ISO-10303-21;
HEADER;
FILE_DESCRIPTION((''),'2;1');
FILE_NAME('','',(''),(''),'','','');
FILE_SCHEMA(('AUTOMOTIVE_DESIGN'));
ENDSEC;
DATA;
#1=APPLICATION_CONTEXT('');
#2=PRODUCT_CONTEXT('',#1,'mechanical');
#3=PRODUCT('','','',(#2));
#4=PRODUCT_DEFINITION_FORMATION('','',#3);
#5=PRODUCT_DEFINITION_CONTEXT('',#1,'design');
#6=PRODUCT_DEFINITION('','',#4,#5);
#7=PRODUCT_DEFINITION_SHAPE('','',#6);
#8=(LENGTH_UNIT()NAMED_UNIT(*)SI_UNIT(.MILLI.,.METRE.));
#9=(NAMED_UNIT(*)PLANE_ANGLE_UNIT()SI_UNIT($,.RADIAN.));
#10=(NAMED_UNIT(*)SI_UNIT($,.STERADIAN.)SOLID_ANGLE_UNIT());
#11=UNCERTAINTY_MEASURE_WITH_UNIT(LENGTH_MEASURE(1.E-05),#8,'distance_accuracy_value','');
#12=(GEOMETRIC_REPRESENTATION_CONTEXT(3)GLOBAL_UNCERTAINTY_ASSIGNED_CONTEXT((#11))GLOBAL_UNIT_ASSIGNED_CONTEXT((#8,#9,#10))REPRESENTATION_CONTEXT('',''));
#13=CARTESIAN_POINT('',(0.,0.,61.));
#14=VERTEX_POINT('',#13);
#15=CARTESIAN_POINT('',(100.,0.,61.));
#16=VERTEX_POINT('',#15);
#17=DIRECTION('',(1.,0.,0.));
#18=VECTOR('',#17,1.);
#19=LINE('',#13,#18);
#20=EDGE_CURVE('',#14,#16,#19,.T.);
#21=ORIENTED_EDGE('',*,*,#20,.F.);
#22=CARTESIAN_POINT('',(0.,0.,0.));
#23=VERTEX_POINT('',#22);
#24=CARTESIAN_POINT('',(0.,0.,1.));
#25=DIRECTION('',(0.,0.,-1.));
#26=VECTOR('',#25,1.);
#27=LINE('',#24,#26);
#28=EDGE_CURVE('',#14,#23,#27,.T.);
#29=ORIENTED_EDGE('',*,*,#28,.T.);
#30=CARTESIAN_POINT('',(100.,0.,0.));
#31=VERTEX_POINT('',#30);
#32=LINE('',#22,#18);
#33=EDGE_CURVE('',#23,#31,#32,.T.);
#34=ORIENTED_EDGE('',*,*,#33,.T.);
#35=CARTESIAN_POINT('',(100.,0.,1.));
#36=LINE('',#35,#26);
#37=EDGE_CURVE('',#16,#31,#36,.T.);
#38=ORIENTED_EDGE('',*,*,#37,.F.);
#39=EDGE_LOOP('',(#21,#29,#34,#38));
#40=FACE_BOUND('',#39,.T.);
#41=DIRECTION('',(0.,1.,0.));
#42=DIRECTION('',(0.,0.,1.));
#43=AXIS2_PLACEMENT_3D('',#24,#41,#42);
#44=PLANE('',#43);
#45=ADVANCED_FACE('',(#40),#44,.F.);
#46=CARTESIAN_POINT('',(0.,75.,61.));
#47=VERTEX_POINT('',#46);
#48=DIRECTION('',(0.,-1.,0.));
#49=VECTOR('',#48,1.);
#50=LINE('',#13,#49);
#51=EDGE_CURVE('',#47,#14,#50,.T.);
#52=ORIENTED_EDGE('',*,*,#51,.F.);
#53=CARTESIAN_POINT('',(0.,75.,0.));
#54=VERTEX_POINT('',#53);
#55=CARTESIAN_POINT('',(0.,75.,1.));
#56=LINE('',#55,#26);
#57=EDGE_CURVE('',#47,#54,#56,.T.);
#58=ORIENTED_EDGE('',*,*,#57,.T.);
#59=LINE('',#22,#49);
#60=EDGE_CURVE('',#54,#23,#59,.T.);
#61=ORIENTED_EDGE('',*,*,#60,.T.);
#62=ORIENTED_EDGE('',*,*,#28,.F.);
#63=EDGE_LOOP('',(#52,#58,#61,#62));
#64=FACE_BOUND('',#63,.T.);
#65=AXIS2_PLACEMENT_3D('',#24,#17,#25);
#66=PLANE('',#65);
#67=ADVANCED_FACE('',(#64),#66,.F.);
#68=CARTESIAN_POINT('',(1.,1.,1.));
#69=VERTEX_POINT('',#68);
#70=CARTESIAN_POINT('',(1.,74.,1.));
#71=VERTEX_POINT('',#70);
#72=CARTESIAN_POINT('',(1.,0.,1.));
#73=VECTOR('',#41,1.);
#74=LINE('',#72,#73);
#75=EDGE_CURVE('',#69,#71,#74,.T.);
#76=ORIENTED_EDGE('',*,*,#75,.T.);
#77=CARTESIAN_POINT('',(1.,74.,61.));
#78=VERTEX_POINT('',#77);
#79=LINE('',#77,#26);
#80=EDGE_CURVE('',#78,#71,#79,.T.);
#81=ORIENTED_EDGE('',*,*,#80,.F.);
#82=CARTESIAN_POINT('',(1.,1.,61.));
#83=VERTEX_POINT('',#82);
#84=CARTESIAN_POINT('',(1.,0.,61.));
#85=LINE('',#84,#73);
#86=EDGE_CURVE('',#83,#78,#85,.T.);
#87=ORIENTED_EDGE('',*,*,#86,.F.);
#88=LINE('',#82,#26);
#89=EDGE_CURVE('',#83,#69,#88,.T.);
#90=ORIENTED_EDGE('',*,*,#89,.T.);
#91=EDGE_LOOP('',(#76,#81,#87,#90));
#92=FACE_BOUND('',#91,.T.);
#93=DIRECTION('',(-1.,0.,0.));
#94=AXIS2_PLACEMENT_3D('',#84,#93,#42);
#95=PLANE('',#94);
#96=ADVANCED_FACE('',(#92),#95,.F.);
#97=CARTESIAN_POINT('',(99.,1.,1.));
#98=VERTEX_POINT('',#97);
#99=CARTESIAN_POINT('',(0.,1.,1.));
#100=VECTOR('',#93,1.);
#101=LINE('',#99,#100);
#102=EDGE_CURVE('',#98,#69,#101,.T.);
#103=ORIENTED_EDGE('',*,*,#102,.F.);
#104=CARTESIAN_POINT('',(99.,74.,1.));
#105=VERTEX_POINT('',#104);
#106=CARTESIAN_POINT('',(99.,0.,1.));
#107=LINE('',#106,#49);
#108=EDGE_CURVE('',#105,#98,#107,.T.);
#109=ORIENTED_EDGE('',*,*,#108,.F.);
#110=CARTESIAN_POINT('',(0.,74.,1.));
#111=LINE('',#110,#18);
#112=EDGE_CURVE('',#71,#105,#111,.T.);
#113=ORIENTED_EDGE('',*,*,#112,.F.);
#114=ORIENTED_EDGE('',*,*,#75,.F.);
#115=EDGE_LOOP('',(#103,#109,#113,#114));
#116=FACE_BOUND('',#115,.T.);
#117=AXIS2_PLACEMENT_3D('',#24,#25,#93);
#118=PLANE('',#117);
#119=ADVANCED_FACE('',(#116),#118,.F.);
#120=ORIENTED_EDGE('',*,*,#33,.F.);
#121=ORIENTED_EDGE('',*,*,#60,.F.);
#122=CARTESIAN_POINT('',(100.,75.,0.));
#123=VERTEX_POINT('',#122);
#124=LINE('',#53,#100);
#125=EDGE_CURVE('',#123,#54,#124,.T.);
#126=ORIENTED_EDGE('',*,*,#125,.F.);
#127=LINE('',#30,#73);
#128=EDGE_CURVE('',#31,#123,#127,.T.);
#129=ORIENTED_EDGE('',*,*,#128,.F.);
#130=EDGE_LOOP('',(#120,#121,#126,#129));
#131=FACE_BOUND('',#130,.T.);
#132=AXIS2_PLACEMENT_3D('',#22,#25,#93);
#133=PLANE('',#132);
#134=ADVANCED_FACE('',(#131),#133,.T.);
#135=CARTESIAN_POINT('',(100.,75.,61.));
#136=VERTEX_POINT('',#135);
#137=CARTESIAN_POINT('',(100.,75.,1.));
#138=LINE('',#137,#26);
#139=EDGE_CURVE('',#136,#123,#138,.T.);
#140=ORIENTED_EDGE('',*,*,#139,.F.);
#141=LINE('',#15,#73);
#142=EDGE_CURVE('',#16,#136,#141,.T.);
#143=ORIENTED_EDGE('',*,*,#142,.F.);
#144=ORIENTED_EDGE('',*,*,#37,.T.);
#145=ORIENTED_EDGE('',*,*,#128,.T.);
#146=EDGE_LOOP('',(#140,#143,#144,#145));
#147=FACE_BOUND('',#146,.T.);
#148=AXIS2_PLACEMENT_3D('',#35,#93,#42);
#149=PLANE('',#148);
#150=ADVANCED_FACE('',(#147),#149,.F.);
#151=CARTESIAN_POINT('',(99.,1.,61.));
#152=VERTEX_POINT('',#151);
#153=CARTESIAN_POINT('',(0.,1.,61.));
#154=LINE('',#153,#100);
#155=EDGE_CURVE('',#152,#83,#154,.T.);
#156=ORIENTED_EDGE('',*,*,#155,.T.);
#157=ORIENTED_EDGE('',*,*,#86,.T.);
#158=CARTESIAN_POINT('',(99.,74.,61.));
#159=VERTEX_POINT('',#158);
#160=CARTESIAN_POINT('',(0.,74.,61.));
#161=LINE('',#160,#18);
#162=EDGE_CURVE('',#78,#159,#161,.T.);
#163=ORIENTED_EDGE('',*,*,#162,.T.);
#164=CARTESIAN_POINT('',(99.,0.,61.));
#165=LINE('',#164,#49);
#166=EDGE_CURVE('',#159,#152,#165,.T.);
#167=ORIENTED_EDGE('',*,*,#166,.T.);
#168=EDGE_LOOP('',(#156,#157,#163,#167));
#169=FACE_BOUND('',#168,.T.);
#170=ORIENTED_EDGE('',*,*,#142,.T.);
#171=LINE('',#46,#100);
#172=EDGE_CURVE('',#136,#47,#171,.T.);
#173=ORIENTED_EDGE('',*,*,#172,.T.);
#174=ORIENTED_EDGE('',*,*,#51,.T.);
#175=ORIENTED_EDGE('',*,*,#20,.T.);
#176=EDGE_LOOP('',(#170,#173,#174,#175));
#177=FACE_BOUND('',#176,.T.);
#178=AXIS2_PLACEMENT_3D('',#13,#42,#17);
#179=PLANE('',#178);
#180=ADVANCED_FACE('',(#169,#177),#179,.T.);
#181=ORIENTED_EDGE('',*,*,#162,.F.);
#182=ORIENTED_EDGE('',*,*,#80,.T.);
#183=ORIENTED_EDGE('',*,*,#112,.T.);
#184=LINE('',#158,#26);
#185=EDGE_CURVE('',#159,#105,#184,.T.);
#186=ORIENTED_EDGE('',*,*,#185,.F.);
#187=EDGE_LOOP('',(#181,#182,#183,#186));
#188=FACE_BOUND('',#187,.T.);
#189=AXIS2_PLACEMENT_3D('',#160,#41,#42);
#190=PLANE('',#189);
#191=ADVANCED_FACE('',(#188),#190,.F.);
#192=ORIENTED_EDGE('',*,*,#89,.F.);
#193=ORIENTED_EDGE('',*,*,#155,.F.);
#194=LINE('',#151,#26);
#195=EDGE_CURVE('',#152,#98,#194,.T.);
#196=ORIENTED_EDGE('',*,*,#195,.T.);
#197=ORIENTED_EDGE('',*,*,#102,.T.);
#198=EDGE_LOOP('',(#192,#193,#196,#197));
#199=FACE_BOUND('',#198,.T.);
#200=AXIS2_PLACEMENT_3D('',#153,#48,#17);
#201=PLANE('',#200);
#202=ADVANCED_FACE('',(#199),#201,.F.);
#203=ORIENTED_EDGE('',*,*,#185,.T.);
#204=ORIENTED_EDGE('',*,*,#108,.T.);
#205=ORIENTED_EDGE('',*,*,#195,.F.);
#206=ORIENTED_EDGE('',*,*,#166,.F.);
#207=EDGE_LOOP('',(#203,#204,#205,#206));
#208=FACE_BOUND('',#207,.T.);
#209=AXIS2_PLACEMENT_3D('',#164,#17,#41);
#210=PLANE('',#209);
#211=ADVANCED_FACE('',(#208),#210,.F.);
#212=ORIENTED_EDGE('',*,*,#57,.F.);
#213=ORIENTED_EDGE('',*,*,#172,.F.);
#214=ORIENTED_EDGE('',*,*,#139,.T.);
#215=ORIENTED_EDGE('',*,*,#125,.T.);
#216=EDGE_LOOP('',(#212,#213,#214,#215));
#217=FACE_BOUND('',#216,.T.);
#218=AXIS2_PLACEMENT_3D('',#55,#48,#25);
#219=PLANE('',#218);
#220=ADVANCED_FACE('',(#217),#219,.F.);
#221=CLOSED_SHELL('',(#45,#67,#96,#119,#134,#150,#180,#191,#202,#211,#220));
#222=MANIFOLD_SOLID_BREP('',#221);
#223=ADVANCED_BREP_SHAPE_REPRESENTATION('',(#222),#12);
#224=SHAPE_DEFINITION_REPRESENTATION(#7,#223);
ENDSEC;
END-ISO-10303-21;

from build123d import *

# Parameters (mm, degrees)
SKETCH1_W           = 100
SKETCH1_H           = 75
BOSS_EXTRUDE1_DEPTH = 1
SKETCH2_W           = 1
SKETCH2_H           = 73
BOSS_EXTRUDE2_DEPTH = 60


with BuildPart() as part:
    # Sketch1 → Boss-Extrude1 (new body)
    with BuildSketch(Plane.XY):
        with Locations((50, 37.5)):
            Rectangle(SKETCH1_W, SKETCH1_H)
    extrude(amount=BOSS_EXTRUDE1_DEPTH)

    # Sketch2 → Boss-Extrude2 (add)
    with BuildSketch(Plane.XY.offset(1)):
        Polygon((100, 75), (0, 75), (0, 74), (1, 74), (99, 74), (100, 74), align=None)
        with Locations((0.5, 37.5)):
            Rectangle(SKETCH2_W, SKETCH2_H)
        Polygon((1, 1), (0, 1), (0, 0), (99, 0), (99, 1), align=None)
        Polygon((100, 0), (100, 74), (99, 74), (99, 1), (99, 0), align=None)
    extrude(amount=BOSS_EXTRUDE2_DEPTH)


solid = part.part
